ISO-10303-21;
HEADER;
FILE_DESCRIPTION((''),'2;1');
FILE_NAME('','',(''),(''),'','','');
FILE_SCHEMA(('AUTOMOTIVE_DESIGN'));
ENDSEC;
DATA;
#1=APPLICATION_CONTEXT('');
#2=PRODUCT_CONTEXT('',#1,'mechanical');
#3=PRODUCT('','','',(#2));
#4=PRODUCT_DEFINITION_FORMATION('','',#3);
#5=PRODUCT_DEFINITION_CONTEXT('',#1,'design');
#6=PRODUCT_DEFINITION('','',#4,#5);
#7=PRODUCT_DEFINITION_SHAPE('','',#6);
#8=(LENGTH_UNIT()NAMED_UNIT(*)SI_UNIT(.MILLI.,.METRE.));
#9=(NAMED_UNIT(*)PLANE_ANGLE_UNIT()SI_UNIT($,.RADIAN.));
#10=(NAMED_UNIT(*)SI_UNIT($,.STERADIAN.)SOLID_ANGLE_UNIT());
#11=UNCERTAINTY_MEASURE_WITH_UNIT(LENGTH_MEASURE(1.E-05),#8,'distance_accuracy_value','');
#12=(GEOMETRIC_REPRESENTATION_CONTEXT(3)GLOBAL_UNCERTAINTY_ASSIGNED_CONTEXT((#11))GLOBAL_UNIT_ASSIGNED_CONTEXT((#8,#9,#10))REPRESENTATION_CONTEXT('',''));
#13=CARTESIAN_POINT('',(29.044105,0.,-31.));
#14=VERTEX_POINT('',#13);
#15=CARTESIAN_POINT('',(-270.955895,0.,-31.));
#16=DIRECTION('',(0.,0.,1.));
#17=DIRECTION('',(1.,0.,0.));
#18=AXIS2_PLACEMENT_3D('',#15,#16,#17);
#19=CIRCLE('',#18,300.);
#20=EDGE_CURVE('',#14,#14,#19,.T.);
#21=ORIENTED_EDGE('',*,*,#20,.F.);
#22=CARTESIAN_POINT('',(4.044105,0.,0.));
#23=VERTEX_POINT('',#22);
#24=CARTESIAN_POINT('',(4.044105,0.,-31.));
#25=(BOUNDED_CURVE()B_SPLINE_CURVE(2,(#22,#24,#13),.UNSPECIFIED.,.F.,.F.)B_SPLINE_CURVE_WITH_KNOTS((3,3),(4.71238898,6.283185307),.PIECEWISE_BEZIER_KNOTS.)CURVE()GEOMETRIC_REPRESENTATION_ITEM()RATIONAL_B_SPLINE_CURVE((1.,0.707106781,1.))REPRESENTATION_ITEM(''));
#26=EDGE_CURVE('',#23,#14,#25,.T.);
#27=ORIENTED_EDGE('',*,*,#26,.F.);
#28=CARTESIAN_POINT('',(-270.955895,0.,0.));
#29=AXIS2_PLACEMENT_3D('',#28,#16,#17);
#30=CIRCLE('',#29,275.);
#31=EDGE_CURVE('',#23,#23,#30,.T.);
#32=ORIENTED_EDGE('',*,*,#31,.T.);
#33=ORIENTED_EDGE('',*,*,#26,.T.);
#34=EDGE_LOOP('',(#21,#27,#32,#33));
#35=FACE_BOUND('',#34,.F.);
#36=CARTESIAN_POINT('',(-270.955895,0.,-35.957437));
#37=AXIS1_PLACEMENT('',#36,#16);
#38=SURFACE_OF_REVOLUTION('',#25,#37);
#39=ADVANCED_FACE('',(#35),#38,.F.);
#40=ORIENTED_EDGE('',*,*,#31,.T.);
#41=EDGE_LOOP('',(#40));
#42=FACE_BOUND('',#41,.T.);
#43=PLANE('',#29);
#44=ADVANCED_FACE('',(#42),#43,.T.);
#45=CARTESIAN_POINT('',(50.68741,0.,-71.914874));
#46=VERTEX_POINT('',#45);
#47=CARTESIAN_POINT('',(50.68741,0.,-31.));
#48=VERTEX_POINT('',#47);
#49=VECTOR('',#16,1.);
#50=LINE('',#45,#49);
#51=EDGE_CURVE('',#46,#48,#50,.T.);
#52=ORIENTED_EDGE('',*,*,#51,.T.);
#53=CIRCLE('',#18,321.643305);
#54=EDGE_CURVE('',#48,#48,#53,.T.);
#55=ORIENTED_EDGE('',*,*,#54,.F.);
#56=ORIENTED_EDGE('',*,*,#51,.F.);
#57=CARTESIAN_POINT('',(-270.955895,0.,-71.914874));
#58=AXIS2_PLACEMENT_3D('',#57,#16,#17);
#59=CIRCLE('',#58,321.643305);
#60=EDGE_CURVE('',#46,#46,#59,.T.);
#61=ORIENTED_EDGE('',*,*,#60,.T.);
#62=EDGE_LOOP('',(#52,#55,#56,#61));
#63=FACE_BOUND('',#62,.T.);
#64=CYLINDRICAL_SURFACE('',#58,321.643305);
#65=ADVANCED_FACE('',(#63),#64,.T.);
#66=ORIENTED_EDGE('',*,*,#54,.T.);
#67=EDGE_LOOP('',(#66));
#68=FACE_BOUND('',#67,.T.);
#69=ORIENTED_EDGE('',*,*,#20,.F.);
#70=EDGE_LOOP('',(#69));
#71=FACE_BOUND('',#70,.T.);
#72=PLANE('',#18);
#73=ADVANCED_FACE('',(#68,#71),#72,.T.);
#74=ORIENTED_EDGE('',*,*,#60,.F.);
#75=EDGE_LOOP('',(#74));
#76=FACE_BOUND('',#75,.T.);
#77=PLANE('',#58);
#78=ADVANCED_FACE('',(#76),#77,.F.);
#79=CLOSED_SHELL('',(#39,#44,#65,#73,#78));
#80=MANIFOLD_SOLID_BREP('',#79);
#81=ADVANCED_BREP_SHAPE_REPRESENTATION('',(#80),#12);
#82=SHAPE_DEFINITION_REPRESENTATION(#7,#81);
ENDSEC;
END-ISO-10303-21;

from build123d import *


with BuildPart() as f1:
    # F0 (on Front) → F1 (revolve)
    with BuildSketch(Plane.XZ):
        with BuildLine():
            Line((4.0441047843, 0), (-270.9558952157, 0))
            Line((-270.9558952157, 0), (-270.9558952157, -71.9148740172))
            Line((-270.9558952157, -71.9148740172), (50.6874099374, -71.9148740172))
            Line((50.6874099374, -71.9148740172), (50.6874099374, -31))
            Line((50.6874099374, -31), (29.0441047843, -31))
            add(Edge.make_bspline(
                [(4.0441047843, 0), (4.0441047843, -31), (29.0441047843, -31)],
                knots=[4.7123889804, 4.7123889804, 4.7123889804, 6.2831853072, 6.2831853072, 6.2831853072], degree=2, weights=[1, 0.7071067812, 1]))
        make_face()
    revolve(axis=Axis((-270.9558952157, 0, -35.9574370086), (0, 0, 1)))


solid = f1.part
